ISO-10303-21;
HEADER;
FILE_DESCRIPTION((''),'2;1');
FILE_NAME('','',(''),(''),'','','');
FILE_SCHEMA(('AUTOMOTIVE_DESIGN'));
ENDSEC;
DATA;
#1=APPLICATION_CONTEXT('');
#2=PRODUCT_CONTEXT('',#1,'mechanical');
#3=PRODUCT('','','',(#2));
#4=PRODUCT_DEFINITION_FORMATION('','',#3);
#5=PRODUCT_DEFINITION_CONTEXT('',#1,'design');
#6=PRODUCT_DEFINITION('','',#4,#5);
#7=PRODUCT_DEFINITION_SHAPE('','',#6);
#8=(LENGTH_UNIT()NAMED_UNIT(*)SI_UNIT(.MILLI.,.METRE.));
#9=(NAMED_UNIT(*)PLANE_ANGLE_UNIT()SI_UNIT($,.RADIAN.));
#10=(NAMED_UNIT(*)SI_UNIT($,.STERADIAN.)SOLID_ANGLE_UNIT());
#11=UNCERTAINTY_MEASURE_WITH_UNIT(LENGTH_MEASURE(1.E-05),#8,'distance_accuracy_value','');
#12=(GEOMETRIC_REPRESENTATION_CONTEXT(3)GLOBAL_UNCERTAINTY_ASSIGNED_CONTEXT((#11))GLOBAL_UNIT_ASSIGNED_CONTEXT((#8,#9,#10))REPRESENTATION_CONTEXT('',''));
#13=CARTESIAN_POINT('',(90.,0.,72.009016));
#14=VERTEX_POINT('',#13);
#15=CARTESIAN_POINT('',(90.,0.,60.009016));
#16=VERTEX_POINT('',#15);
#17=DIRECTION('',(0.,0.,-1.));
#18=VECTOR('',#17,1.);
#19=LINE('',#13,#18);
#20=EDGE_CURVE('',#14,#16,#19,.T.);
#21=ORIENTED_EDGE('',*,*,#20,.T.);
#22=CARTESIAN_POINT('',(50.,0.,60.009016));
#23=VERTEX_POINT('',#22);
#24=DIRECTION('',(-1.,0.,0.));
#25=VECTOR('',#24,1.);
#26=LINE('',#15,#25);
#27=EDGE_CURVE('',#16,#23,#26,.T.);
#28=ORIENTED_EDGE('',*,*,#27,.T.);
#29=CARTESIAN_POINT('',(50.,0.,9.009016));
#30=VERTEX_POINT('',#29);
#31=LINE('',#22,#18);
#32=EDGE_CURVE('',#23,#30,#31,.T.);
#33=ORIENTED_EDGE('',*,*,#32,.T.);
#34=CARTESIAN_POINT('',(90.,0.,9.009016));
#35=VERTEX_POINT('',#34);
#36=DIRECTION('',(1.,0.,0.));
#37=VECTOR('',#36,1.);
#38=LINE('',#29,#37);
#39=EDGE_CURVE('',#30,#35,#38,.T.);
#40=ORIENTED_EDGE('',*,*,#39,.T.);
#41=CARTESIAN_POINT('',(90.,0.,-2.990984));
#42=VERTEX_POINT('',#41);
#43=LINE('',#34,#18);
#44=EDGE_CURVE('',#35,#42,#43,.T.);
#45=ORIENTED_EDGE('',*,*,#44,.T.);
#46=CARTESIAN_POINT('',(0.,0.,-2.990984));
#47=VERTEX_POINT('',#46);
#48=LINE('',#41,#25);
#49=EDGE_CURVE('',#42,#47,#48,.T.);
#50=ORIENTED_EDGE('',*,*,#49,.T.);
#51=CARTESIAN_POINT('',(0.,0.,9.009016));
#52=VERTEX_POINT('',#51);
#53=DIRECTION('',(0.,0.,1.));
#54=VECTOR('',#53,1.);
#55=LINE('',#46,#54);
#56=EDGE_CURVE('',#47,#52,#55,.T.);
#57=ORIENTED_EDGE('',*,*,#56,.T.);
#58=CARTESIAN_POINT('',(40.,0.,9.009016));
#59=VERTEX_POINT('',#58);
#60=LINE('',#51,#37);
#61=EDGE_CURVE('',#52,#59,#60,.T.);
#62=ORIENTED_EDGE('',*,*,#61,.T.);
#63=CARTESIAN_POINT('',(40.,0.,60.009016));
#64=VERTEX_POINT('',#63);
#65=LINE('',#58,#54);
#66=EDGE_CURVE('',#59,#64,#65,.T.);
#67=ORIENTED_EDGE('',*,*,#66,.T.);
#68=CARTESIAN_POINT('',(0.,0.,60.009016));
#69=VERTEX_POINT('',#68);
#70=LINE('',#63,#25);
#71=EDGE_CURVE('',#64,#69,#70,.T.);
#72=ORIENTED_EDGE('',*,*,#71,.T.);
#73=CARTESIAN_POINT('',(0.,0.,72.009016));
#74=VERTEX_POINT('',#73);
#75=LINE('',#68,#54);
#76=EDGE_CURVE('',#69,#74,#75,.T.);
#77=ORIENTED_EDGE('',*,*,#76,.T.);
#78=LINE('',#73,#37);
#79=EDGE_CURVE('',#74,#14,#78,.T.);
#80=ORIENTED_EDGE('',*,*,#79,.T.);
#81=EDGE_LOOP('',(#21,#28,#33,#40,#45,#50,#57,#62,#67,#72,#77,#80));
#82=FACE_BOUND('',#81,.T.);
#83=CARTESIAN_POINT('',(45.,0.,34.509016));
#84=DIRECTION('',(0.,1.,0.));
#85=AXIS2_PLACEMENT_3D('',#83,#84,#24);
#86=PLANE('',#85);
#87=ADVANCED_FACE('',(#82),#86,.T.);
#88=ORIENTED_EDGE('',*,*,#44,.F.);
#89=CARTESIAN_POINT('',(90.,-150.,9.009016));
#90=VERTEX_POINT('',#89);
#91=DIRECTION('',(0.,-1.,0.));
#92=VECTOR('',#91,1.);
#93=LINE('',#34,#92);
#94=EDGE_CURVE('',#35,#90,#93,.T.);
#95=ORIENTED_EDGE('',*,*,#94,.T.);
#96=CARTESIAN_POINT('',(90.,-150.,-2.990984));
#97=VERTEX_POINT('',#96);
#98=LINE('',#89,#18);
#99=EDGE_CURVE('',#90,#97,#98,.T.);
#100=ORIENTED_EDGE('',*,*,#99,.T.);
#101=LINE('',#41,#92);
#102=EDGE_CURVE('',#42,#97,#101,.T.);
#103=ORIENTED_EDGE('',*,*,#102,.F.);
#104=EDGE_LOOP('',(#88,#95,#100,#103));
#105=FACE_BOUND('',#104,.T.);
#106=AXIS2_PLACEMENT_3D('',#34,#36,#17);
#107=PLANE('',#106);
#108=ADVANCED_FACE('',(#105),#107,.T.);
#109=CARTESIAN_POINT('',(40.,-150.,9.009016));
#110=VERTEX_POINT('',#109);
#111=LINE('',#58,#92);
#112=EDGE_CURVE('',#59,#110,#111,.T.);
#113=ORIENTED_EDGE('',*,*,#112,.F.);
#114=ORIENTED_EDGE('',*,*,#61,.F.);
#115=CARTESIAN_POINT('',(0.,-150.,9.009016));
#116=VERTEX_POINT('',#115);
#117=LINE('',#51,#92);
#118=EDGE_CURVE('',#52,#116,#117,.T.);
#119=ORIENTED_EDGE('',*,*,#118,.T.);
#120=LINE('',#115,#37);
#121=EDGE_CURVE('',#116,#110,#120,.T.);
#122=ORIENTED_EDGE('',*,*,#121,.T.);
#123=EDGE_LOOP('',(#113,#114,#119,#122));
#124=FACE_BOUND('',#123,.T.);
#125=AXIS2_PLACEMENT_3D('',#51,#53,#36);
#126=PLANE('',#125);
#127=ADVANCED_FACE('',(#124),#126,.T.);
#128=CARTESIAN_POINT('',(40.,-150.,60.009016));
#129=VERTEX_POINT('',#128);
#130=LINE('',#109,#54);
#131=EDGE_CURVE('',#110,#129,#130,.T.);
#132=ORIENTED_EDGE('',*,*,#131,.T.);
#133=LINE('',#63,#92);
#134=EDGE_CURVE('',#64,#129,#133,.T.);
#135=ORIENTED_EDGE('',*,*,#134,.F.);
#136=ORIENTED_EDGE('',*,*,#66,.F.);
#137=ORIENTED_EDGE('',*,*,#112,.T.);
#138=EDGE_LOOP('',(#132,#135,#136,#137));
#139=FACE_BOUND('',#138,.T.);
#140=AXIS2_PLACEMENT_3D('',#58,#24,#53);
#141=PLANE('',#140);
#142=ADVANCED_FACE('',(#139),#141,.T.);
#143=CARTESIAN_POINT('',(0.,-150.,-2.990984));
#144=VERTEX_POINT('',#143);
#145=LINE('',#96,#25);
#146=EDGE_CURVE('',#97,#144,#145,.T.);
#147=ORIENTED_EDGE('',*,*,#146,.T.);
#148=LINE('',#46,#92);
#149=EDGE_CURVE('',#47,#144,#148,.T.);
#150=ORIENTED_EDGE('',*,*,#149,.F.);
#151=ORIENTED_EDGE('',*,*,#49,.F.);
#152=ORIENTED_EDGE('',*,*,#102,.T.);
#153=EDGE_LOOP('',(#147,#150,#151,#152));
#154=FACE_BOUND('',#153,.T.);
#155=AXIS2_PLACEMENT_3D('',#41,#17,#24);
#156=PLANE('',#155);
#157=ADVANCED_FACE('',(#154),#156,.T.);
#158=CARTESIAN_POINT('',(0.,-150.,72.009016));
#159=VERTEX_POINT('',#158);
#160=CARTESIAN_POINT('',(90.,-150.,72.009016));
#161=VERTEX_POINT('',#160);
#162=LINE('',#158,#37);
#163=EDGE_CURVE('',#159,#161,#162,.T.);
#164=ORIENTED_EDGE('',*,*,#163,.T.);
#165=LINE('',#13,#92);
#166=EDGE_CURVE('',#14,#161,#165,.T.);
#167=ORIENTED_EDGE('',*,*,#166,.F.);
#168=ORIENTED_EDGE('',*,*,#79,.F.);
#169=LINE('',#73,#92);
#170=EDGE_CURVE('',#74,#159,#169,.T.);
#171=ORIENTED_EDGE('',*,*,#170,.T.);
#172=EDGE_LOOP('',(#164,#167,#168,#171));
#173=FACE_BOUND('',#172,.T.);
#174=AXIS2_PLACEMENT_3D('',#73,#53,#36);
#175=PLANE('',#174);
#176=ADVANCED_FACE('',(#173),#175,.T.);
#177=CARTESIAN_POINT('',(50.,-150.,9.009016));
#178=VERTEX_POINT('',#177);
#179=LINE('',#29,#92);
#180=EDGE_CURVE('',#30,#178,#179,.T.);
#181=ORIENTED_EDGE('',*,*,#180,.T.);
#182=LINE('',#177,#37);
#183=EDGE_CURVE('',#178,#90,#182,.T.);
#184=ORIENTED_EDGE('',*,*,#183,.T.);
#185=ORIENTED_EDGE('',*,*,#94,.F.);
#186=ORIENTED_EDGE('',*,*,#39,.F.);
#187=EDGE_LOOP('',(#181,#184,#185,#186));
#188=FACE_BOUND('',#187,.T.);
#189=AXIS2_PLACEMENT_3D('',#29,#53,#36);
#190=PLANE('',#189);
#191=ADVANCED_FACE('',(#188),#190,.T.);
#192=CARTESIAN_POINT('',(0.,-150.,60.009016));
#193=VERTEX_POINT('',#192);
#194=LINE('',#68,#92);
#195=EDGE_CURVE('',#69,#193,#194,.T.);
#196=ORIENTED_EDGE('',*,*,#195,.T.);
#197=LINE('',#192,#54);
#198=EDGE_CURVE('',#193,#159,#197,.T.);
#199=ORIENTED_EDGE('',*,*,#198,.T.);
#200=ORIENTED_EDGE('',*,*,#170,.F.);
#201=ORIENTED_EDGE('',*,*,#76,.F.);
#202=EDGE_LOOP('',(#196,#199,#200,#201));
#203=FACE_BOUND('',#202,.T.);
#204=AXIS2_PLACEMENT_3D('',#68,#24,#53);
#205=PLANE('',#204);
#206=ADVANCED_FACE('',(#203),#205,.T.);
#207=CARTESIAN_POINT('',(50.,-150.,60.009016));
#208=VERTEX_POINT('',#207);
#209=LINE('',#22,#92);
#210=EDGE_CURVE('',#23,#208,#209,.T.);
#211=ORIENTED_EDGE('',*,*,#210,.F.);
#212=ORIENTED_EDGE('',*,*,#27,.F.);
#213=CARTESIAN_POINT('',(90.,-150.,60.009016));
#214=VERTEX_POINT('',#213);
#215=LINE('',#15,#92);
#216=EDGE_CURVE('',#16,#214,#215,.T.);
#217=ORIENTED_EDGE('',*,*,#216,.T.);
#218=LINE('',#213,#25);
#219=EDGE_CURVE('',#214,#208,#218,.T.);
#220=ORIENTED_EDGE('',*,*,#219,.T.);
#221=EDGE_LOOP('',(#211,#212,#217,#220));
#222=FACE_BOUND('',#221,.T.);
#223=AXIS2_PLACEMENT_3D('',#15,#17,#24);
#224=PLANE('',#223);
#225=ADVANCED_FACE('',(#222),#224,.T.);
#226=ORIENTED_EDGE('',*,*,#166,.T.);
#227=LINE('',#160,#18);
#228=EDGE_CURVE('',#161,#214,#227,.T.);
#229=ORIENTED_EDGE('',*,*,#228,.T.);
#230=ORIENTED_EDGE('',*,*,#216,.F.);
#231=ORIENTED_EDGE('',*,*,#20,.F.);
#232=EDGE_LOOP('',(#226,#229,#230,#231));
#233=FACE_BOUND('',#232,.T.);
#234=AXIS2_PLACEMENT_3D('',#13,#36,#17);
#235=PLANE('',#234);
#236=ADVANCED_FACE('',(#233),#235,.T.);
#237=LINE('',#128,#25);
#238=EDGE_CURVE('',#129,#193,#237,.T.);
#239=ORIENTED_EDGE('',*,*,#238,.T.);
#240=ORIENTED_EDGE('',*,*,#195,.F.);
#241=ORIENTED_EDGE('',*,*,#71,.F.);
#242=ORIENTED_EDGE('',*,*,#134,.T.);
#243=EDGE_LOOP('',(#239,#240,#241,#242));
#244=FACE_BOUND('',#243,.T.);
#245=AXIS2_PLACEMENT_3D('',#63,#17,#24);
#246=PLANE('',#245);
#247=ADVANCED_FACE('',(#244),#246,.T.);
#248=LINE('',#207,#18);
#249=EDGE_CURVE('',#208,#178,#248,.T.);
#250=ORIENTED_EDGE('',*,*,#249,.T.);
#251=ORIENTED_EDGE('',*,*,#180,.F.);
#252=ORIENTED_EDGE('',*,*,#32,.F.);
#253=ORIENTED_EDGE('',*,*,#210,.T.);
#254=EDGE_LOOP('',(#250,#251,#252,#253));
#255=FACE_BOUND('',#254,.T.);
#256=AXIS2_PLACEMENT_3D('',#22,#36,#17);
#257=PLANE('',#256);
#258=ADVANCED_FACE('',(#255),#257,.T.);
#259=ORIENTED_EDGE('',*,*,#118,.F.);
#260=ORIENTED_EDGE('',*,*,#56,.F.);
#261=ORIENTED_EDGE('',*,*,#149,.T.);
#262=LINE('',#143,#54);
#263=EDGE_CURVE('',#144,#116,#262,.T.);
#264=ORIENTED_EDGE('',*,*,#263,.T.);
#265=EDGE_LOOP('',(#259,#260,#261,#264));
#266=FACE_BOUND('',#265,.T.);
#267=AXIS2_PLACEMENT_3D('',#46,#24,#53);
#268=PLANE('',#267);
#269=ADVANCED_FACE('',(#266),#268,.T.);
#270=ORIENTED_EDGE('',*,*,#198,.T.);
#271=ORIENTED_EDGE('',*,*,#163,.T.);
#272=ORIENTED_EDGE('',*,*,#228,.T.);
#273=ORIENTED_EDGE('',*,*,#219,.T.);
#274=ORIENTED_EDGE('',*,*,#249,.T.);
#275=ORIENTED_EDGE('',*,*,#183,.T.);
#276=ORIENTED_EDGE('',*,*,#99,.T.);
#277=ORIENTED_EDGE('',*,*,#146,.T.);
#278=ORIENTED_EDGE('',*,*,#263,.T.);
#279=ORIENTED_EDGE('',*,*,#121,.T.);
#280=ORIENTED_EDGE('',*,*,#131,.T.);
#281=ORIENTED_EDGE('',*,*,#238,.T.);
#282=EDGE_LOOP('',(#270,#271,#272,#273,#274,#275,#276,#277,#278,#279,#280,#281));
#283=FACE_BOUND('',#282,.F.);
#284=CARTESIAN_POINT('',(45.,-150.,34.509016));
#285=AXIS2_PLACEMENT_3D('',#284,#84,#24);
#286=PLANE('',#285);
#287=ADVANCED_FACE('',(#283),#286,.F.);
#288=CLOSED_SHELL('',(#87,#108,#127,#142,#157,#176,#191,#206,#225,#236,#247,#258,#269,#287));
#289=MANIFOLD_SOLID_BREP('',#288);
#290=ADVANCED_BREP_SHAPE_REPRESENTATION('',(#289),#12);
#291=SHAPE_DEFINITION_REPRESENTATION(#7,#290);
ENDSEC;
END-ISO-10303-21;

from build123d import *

# Parameters (mm, degrees)
PAD_DEPTH = 150


with BuildPart() as part:
    # Sketch → Pad (new body)
    with BuildSketch(Plane.XZ):
        Polygon((0, 72.009016), (90, 72.009016), (90, 60.009016), (50, 60.009016), (50, 9.009016), (90, 9.009016), (90, -2.990984), (0, -2.990984), (0, 9.009016), (40, 9.009016), (40, 60.009016), (0, 60.009016), align=None)
    extrude(amount=PAD_DEPTH)


solid = part.part
